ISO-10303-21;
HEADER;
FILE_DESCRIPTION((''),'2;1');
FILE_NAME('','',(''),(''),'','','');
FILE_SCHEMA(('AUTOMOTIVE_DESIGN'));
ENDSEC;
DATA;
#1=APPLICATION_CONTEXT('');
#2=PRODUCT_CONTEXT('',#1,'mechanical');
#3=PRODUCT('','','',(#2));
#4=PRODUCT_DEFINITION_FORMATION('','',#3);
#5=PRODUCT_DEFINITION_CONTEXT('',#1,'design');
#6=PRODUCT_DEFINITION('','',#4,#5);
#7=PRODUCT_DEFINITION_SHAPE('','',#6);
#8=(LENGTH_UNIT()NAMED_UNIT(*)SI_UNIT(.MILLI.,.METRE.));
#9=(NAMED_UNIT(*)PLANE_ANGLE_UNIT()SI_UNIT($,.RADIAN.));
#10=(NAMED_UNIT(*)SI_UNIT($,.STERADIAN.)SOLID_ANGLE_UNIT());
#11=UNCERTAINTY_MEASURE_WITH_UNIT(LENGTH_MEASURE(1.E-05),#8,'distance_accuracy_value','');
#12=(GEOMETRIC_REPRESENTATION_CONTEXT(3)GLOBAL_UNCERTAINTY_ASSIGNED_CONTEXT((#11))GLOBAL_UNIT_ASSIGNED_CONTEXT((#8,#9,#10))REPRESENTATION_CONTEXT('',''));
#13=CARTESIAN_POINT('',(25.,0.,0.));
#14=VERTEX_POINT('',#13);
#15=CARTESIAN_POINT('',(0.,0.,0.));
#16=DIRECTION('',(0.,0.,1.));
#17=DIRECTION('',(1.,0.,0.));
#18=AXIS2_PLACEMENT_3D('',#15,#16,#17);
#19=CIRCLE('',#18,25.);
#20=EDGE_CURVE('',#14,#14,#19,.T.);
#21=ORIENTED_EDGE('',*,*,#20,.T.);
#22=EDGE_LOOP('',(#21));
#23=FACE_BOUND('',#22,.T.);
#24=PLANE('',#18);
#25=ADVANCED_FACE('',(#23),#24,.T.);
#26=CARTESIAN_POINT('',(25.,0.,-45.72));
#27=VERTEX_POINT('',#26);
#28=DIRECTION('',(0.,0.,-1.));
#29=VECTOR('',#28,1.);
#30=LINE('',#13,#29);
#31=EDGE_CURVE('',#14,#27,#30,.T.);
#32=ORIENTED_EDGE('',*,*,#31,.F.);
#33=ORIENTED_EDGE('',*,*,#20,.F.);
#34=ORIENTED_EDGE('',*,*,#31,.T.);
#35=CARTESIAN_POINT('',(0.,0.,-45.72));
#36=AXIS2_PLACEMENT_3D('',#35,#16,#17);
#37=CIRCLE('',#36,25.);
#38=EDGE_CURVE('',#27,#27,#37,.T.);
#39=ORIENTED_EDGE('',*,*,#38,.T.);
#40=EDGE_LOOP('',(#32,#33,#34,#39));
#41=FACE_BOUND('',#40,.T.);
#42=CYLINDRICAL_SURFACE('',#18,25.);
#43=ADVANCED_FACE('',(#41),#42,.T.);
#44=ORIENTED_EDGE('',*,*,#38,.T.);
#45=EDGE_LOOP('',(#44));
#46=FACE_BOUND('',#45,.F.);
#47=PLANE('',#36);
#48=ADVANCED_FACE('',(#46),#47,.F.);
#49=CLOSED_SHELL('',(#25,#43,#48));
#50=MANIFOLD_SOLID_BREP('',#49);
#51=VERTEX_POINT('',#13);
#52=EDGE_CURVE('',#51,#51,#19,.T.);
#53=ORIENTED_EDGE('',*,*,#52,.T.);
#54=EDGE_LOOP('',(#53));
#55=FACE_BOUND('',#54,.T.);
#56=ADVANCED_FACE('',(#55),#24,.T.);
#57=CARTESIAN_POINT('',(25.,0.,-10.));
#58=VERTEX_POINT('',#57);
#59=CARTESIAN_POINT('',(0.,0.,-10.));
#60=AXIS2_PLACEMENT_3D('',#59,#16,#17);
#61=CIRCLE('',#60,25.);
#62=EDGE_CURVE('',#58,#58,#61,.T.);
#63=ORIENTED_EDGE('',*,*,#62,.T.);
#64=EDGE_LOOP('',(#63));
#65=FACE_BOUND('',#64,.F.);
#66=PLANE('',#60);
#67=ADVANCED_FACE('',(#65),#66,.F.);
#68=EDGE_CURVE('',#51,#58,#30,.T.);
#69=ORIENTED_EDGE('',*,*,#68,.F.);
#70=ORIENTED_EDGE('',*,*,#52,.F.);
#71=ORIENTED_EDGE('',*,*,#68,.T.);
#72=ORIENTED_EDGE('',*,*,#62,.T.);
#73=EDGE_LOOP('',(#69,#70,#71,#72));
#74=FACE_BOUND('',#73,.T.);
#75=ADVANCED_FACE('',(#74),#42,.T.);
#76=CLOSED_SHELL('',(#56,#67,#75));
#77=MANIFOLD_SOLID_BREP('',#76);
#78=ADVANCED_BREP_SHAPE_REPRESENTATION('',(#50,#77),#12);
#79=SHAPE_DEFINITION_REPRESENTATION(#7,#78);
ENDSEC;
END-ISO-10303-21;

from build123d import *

# Parameters (mm, degrees)
F0_R     = 25
F0_R_2   = 21
F1_DEPTH = 10
F2_R     = 25
F3_DEPTH = 45.72


with BuildPart() as f1:
    # F0 (on Top) → F1 (new body)
    with BuildSketch(Plane.XY):
        Circle(F0_R)
        Circle(F0_R_2, mode=Mode.SUBTRACT)
        Circle(F0_R_2)
    extrude(amount=-F1_DEPTH)


with BuildPart() as f3:
    # F2 (on Top) → F3 (new body)
    with BuildSketch(Plane.XY):
        Circle(F2_R)
    extrude(amount=-F3_DEPTH)


solid = Compound([f1.part, f3.part])
